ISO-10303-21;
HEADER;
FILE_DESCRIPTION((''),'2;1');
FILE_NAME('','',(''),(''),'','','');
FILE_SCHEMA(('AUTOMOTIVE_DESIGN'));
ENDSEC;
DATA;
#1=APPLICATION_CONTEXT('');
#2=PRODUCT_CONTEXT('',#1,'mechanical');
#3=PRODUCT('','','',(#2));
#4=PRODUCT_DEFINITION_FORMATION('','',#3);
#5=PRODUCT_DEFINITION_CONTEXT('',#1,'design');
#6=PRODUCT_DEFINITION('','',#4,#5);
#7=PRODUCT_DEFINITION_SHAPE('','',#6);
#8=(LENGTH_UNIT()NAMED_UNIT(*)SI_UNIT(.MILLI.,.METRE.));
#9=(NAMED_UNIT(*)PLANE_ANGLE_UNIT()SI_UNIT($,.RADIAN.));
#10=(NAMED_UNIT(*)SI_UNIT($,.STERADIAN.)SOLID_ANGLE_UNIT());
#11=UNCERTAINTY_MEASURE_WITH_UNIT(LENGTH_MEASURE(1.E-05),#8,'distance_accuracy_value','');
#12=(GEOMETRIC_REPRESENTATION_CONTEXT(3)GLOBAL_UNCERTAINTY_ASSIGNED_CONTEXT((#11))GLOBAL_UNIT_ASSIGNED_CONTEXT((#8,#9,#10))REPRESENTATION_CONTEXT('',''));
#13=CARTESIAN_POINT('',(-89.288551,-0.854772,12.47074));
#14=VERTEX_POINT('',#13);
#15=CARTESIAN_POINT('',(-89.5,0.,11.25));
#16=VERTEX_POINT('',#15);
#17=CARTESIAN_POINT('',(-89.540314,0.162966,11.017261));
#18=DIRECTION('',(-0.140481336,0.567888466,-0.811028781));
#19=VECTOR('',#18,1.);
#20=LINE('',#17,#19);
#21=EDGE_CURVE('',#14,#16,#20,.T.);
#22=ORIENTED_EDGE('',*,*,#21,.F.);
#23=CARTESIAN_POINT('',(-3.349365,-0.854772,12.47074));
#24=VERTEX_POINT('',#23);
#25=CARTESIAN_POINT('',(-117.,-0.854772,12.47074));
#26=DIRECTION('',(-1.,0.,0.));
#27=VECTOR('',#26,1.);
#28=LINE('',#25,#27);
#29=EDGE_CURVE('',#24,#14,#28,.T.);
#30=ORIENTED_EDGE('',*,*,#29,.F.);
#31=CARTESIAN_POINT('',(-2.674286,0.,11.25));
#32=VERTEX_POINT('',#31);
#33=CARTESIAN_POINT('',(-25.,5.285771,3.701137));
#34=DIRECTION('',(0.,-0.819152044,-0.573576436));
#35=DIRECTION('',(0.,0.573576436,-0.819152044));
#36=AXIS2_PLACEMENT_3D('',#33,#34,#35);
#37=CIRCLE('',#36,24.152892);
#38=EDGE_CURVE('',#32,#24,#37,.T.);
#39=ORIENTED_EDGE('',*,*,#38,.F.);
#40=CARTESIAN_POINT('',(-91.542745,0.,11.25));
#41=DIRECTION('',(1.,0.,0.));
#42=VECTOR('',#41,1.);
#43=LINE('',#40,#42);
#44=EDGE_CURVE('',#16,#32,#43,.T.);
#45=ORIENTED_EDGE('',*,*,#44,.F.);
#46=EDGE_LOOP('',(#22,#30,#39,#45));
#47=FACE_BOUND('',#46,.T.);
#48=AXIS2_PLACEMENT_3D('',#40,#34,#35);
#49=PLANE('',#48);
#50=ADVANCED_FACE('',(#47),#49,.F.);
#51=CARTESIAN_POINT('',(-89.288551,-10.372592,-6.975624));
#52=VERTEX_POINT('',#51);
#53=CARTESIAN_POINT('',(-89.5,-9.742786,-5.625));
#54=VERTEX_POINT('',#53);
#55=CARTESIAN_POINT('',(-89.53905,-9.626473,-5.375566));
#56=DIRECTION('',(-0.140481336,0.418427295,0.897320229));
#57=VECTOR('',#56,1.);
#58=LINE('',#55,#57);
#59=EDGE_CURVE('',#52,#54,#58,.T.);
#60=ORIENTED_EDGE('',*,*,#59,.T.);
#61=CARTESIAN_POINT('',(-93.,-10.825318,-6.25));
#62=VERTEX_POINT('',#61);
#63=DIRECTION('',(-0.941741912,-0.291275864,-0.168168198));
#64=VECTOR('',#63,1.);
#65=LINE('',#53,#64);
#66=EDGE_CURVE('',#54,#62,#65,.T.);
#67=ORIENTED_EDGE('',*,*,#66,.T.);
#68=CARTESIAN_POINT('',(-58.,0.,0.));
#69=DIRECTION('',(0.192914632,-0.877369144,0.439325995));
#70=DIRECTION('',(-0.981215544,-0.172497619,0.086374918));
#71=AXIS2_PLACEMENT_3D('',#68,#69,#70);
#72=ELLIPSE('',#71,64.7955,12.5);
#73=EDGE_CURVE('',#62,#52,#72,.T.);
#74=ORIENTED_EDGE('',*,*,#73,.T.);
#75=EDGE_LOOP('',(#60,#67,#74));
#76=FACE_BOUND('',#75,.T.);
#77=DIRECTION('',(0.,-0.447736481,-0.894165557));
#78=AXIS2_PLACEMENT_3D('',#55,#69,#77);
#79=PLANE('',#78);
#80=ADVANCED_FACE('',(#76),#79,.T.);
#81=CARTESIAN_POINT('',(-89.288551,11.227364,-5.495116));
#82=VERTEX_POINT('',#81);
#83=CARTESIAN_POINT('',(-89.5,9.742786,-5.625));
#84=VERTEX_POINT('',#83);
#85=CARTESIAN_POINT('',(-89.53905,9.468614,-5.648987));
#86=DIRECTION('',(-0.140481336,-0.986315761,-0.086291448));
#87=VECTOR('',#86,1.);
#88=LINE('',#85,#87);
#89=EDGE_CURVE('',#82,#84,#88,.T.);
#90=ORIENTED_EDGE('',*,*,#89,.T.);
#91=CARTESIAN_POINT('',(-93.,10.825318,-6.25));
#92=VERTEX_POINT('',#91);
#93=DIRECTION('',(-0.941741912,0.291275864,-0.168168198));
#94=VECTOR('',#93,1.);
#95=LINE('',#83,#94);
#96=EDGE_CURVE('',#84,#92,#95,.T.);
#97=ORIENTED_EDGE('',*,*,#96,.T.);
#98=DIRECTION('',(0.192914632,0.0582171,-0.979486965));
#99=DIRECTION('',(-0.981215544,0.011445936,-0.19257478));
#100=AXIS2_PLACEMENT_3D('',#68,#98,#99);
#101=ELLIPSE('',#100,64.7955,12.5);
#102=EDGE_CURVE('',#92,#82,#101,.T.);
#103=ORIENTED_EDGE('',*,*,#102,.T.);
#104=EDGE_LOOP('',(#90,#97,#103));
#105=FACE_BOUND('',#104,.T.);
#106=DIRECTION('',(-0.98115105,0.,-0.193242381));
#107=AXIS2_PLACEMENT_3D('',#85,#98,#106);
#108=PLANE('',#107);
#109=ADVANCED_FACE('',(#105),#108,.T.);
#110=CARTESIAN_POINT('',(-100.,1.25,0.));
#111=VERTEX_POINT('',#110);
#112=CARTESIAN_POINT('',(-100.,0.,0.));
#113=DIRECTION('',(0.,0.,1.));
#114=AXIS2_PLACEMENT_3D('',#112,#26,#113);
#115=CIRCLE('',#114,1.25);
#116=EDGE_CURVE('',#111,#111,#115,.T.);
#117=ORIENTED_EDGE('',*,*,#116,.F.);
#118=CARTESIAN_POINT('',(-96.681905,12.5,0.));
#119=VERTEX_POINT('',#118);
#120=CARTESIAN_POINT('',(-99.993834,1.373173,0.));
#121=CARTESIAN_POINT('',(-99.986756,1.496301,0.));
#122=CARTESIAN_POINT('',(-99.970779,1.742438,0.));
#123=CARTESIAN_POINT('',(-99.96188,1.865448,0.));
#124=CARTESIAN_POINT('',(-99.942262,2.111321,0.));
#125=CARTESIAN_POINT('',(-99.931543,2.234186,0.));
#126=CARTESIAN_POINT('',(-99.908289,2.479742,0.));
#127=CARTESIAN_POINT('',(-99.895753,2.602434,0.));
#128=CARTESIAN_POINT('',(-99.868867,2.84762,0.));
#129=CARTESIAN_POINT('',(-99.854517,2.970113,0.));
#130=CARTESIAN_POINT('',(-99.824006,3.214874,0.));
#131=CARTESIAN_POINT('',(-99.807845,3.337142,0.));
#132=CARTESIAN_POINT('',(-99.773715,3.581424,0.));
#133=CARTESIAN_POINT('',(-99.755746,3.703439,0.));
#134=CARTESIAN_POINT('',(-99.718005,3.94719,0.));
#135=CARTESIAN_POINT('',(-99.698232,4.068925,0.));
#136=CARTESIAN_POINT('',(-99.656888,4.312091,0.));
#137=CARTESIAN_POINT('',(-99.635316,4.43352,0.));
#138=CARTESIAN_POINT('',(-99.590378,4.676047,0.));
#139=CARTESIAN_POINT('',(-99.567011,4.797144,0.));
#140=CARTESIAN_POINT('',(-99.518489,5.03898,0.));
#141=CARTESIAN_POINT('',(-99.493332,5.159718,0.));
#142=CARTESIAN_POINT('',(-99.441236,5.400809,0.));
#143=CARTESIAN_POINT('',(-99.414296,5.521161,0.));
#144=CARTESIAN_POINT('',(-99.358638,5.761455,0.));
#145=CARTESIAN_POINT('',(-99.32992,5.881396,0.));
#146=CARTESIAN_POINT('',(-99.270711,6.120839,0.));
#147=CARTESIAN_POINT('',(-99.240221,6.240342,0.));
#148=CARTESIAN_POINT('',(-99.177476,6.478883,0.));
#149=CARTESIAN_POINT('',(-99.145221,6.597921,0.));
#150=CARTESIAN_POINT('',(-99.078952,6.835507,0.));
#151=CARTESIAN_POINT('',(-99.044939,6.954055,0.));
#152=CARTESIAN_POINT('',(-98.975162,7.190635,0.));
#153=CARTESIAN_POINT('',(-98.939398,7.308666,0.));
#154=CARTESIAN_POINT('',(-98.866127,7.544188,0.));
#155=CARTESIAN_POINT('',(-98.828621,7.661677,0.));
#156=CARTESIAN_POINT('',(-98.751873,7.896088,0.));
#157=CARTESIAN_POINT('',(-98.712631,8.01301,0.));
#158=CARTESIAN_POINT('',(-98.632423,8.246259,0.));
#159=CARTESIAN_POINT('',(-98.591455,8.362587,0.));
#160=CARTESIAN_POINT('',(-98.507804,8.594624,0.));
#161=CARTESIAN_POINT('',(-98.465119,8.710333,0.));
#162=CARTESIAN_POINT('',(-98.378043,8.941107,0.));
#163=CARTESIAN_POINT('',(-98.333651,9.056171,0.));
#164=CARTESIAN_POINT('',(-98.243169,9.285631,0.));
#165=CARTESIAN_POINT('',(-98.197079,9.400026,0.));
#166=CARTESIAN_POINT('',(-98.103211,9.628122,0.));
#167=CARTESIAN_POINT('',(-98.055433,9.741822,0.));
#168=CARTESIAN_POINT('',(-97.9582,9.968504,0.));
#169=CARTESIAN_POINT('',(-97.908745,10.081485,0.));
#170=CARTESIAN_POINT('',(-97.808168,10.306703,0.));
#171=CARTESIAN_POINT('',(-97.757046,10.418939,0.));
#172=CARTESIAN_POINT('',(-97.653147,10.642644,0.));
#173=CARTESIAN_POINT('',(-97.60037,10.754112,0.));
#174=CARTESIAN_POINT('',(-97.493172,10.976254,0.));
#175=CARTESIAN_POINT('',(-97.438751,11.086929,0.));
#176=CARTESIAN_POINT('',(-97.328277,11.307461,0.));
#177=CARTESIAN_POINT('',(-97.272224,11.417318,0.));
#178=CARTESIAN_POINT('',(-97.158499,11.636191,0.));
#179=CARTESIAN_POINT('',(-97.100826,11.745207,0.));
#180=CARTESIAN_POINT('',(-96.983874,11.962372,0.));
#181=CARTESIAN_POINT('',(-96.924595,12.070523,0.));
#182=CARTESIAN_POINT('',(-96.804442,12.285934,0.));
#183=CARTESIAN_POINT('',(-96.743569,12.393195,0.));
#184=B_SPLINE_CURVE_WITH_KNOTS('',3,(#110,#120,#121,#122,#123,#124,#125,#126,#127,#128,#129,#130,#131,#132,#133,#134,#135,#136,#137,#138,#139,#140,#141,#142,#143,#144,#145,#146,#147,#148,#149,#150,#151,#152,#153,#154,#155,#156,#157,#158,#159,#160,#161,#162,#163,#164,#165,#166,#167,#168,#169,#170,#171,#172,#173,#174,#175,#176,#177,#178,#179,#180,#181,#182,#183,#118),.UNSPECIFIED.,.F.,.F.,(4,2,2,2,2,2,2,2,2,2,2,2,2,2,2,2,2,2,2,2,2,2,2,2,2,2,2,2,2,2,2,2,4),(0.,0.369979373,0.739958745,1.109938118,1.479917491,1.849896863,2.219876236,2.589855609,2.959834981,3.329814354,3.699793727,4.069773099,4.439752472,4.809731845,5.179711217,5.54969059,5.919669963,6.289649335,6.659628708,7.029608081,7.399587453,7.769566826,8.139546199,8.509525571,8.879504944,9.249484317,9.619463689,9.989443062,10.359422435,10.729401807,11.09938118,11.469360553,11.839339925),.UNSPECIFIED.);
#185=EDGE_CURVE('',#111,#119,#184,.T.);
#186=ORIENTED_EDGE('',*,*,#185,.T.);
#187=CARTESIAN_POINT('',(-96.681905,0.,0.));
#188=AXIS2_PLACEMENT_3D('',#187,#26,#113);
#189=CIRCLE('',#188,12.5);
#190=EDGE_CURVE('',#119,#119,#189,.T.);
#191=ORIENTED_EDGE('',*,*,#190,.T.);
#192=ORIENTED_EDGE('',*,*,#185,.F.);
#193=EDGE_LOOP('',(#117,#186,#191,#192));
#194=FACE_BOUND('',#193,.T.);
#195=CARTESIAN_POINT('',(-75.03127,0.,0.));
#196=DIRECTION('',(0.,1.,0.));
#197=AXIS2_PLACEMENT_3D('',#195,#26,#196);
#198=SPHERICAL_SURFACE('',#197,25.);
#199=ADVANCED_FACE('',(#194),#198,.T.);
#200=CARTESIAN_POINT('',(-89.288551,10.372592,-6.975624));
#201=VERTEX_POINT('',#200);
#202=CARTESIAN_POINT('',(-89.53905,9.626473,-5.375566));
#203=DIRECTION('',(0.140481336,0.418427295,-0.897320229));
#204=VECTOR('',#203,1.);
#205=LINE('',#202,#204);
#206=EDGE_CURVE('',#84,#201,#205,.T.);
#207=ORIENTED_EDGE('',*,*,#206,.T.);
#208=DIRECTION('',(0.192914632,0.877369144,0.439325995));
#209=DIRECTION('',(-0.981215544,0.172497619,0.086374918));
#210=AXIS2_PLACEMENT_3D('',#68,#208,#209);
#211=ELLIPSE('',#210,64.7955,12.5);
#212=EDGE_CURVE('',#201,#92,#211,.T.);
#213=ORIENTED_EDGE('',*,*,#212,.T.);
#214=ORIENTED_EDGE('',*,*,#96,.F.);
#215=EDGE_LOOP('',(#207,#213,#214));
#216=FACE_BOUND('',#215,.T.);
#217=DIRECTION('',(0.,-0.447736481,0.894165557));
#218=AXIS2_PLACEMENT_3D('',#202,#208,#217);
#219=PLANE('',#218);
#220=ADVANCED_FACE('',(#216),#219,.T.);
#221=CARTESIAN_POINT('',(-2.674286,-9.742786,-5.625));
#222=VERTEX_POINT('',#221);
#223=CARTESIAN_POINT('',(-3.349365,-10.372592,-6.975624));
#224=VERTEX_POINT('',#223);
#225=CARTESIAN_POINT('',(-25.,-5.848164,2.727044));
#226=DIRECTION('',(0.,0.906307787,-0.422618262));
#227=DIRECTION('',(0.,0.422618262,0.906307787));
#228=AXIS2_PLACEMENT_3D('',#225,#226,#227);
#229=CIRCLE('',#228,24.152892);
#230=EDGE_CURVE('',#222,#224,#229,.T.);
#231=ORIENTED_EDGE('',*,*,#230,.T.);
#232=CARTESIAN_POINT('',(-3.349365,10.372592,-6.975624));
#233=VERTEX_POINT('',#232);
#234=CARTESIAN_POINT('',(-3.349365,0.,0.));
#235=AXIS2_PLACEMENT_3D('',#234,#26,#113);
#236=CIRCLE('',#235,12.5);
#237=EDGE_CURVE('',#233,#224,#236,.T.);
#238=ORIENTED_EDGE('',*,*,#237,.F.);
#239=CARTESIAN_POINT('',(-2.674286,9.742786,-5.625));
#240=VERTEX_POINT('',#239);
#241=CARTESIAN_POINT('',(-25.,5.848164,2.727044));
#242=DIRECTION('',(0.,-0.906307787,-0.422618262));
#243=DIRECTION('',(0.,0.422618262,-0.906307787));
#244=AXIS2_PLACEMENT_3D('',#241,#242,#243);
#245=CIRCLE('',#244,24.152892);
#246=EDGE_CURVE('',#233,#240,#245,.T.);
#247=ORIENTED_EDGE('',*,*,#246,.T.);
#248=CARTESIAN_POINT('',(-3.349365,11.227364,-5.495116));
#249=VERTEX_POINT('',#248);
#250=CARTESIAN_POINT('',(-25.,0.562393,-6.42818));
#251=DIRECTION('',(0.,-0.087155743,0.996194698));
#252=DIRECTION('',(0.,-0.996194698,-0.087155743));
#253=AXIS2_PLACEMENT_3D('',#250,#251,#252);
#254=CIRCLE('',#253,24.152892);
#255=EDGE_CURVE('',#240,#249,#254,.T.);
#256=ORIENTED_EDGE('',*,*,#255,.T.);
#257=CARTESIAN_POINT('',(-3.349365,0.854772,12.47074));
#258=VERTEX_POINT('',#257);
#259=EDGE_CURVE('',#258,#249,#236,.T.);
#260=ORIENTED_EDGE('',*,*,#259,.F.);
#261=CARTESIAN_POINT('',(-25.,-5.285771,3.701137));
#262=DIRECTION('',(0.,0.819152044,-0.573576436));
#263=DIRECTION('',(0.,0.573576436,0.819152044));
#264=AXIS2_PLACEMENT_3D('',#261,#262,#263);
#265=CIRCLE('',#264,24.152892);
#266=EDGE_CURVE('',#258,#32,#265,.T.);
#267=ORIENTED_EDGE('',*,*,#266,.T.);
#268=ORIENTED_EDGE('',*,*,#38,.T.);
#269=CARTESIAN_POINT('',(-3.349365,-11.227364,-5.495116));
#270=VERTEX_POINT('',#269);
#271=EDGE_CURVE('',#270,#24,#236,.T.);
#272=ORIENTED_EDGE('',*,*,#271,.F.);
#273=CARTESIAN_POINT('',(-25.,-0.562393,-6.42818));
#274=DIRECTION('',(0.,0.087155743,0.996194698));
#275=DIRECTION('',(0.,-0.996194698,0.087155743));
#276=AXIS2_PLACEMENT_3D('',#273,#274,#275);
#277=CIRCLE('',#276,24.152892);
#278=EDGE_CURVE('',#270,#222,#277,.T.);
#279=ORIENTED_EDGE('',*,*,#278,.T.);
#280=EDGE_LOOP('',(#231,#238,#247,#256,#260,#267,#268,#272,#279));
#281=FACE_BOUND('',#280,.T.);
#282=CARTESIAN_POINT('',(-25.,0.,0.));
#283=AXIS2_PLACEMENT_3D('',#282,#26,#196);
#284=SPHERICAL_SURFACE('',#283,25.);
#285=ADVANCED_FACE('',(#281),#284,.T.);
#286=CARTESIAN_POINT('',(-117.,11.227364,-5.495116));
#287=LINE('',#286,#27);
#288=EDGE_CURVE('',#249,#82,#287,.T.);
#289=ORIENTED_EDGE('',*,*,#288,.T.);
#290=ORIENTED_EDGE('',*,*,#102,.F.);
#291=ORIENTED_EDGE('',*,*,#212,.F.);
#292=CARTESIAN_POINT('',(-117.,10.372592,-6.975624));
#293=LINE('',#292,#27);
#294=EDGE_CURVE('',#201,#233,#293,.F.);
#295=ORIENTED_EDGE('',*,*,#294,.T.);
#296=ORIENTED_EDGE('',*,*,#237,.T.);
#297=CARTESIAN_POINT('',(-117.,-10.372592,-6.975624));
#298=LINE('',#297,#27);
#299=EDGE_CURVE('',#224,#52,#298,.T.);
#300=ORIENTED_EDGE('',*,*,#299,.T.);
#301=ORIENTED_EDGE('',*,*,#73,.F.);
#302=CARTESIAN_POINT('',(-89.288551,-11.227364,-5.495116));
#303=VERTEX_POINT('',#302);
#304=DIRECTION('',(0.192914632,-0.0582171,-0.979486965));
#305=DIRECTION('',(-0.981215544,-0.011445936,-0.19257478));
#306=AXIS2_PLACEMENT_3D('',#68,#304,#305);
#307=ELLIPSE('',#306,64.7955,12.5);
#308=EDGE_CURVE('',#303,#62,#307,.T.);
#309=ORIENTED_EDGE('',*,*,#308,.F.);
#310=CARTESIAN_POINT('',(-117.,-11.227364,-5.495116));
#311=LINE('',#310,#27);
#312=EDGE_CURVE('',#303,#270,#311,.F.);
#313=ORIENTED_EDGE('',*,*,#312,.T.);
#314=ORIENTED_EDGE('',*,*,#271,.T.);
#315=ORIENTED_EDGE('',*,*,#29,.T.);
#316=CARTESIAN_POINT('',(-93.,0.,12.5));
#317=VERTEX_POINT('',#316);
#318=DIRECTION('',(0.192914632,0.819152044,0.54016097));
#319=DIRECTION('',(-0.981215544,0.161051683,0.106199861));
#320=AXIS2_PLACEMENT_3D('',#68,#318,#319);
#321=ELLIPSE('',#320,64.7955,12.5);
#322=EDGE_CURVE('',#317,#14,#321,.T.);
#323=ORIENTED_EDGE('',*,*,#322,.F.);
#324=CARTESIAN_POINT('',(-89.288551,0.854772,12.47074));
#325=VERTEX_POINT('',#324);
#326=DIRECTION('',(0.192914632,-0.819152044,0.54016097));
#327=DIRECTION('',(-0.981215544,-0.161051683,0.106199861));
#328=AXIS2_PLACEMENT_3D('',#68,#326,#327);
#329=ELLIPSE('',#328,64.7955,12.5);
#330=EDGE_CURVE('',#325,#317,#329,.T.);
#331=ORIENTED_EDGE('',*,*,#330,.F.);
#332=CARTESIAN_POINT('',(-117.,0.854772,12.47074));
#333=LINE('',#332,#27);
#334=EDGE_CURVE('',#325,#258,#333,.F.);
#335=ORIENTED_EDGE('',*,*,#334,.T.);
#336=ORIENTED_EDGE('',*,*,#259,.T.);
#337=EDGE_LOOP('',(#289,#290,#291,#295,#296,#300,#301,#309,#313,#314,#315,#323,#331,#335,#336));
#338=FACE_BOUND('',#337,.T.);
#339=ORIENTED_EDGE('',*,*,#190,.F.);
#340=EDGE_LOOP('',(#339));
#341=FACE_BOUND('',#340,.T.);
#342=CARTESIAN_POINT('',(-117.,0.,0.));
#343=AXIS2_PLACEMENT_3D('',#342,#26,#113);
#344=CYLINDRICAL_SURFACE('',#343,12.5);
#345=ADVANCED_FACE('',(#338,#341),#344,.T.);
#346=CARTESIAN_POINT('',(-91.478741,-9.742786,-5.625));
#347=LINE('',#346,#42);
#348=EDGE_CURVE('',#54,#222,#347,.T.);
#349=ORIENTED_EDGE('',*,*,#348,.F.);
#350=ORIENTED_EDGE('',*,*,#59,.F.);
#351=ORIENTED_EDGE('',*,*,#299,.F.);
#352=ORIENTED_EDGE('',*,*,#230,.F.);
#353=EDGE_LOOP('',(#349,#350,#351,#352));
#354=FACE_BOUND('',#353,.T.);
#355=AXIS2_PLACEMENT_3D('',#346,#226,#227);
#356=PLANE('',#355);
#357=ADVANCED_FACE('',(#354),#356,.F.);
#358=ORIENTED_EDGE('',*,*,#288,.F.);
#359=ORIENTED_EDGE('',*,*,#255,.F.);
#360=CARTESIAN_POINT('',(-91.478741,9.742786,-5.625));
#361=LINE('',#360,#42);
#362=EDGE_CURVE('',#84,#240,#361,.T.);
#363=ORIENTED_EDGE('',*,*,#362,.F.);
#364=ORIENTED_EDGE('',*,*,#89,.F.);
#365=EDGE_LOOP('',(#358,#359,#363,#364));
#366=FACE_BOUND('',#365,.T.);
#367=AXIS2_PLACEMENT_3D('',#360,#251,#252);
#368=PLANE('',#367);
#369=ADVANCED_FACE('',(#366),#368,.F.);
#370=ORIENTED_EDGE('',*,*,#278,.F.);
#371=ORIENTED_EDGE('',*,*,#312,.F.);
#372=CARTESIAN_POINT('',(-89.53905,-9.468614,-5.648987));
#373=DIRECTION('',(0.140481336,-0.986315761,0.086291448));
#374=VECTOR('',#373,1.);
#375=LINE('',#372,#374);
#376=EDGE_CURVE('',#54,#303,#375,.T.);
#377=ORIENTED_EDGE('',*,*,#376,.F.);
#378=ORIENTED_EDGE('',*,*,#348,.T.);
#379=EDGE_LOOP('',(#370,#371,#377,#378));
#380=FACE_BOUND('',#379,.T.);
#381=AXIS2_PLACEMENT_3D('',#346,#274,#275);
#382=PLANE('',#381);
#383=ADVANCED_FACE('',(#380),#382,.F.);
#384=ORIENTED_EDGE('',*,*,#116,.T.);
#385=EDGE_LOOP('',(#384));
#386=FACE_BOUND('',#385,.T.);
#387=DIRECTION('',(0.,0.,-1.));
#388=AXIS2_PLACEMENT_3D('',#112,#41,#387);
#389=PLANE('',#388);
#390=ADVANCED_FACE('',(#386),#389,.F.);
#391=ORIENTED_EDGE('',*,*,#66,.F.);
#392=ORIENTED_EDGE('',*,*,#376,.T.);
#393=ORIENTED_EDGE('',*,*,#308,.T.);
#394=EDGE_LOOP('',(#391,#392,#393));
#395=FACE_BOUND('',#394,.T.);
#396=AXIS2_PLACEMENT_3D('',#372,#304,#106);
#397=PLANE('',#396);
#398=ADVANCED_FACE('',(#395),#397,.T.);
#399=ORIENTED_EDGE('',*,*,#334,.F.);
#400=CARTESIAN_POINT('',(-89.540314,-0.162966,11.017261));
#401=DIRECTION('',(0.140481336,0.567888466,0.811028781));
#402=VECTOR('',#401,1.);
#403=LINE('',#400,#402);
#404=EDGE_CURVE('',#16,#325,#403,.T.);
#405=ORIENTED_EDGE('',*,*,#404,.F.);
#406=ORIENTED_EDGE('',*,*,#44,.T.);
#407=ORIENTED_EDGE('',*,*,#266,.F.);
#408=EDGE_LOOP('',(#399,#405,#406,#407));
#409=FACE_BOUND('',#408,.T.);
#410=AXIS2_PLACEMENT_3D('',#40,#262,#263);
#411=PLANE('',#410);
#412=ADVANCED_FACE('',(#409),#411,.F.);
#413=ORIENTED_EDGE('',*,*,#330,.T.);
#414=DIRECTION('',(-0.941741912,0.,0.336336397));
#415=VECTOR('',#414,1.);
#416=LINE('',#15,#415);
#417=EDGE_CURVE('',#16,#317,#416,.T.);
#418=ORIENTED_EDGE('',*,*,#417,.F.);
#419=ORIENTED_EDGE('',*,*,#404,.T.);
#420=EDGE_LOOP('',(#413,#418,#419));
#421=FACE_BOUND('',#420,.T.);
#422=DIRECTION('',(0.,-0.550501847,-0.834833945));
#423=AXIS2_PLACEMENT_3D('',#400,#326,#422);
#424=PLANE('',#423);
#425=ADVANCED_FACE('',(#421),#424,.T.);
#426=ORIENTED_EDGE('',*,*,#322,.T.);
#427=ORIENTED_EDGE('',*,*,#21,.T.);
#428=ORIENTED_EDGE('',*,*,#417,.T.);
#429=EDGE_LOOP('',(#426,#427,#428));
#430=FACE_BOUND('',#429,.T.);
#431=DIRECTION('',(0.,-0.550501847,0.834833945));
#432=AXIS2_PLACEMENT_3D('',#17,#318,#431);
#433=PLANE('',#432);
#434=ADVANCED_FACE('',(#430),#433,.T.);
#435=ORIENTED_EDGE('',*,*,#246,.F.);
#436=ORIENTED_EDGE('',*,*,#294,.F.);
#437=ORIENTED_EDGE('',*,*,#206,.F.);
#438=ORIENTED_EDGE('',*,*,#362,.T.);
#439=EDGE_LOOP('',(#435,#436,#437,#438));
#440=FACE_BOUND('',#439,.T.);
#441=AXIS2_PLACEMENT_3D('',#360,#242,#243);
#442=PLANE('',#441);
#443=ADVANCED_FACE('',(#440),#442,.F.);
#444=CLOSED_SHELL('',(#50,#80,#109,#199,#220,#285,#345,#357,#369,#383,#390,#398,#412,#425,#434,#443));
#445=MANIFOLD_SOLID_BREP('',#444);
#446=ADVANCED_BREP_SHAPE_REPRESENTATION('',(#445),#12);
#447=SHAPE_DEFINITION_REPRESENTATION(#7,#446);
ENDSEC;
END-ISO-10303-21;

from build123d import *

# Parameters (mm, degrees)
CIRPATTERN1_COUNT = 3


with BuildPart() as part:
    # Sketch1 → Base-Revolve (revolve)
    with BuildSketch(Plane.XY):
        with BuildLine():
            Line((-100, 0), (-100, 1.25))
            ThreePointArc((-100, 1.25), (-99.010050505, 7.072345027), (-96.68190465, 12.5))
            Line((-96.68190465, 12.5), (-3.349364905, 12.5))
            ThreePointArc((-3.349364905, 12.5), (-0.851854343, 6.470476128), (0, 0))
            Line((0, 0), (-100, 0))
        make_face()
    revolve(axis=Axis((-117, 0, 0), (1, 0, 0)))

    # Cut-Sweep1: sweep along a path in Sketch4
    with BuildLine(Plane(origin=(0, 0, 0), x_dir=(1, 0, 0), z_dir=(0, 1, 0))) as cut_sweep1_path:
        Line((0, -11.25), (-89.5, -11.25))
        Line((-89.5, -11.25), (-93, -12.5))
    # Sketch2 → Cut-Sweep1 (sweep, cut)
    with BuildSketch(Plane(origin=(0, 0, 0), x_dir=(0, 0, -1), z_dir=(1, 0, 0))):
        Polygon((-11.25, 0), (-12.5, 0.875259423), (-12.5, -0.875259423), align=None)
    cut_sweep1 = sweep(path=cut_sweep1_path.line, transition=Transition.RIGHT, mode=Mode.SUBTRACT)

    # CirPattern1: Cut-Sweep1 ×3 about axis
    cirpattern1_axis = Axis((0, 0, 0), (1, 0, 0))
    for i in range(1, CIRPATTERN1_COUNT):
        add(cut_sweep1.rotate(cirpattern1_axis, i * 360 / CIRPATTERN1_COUNT), mode=Mode.SUBTRACT)


solid = part.part
